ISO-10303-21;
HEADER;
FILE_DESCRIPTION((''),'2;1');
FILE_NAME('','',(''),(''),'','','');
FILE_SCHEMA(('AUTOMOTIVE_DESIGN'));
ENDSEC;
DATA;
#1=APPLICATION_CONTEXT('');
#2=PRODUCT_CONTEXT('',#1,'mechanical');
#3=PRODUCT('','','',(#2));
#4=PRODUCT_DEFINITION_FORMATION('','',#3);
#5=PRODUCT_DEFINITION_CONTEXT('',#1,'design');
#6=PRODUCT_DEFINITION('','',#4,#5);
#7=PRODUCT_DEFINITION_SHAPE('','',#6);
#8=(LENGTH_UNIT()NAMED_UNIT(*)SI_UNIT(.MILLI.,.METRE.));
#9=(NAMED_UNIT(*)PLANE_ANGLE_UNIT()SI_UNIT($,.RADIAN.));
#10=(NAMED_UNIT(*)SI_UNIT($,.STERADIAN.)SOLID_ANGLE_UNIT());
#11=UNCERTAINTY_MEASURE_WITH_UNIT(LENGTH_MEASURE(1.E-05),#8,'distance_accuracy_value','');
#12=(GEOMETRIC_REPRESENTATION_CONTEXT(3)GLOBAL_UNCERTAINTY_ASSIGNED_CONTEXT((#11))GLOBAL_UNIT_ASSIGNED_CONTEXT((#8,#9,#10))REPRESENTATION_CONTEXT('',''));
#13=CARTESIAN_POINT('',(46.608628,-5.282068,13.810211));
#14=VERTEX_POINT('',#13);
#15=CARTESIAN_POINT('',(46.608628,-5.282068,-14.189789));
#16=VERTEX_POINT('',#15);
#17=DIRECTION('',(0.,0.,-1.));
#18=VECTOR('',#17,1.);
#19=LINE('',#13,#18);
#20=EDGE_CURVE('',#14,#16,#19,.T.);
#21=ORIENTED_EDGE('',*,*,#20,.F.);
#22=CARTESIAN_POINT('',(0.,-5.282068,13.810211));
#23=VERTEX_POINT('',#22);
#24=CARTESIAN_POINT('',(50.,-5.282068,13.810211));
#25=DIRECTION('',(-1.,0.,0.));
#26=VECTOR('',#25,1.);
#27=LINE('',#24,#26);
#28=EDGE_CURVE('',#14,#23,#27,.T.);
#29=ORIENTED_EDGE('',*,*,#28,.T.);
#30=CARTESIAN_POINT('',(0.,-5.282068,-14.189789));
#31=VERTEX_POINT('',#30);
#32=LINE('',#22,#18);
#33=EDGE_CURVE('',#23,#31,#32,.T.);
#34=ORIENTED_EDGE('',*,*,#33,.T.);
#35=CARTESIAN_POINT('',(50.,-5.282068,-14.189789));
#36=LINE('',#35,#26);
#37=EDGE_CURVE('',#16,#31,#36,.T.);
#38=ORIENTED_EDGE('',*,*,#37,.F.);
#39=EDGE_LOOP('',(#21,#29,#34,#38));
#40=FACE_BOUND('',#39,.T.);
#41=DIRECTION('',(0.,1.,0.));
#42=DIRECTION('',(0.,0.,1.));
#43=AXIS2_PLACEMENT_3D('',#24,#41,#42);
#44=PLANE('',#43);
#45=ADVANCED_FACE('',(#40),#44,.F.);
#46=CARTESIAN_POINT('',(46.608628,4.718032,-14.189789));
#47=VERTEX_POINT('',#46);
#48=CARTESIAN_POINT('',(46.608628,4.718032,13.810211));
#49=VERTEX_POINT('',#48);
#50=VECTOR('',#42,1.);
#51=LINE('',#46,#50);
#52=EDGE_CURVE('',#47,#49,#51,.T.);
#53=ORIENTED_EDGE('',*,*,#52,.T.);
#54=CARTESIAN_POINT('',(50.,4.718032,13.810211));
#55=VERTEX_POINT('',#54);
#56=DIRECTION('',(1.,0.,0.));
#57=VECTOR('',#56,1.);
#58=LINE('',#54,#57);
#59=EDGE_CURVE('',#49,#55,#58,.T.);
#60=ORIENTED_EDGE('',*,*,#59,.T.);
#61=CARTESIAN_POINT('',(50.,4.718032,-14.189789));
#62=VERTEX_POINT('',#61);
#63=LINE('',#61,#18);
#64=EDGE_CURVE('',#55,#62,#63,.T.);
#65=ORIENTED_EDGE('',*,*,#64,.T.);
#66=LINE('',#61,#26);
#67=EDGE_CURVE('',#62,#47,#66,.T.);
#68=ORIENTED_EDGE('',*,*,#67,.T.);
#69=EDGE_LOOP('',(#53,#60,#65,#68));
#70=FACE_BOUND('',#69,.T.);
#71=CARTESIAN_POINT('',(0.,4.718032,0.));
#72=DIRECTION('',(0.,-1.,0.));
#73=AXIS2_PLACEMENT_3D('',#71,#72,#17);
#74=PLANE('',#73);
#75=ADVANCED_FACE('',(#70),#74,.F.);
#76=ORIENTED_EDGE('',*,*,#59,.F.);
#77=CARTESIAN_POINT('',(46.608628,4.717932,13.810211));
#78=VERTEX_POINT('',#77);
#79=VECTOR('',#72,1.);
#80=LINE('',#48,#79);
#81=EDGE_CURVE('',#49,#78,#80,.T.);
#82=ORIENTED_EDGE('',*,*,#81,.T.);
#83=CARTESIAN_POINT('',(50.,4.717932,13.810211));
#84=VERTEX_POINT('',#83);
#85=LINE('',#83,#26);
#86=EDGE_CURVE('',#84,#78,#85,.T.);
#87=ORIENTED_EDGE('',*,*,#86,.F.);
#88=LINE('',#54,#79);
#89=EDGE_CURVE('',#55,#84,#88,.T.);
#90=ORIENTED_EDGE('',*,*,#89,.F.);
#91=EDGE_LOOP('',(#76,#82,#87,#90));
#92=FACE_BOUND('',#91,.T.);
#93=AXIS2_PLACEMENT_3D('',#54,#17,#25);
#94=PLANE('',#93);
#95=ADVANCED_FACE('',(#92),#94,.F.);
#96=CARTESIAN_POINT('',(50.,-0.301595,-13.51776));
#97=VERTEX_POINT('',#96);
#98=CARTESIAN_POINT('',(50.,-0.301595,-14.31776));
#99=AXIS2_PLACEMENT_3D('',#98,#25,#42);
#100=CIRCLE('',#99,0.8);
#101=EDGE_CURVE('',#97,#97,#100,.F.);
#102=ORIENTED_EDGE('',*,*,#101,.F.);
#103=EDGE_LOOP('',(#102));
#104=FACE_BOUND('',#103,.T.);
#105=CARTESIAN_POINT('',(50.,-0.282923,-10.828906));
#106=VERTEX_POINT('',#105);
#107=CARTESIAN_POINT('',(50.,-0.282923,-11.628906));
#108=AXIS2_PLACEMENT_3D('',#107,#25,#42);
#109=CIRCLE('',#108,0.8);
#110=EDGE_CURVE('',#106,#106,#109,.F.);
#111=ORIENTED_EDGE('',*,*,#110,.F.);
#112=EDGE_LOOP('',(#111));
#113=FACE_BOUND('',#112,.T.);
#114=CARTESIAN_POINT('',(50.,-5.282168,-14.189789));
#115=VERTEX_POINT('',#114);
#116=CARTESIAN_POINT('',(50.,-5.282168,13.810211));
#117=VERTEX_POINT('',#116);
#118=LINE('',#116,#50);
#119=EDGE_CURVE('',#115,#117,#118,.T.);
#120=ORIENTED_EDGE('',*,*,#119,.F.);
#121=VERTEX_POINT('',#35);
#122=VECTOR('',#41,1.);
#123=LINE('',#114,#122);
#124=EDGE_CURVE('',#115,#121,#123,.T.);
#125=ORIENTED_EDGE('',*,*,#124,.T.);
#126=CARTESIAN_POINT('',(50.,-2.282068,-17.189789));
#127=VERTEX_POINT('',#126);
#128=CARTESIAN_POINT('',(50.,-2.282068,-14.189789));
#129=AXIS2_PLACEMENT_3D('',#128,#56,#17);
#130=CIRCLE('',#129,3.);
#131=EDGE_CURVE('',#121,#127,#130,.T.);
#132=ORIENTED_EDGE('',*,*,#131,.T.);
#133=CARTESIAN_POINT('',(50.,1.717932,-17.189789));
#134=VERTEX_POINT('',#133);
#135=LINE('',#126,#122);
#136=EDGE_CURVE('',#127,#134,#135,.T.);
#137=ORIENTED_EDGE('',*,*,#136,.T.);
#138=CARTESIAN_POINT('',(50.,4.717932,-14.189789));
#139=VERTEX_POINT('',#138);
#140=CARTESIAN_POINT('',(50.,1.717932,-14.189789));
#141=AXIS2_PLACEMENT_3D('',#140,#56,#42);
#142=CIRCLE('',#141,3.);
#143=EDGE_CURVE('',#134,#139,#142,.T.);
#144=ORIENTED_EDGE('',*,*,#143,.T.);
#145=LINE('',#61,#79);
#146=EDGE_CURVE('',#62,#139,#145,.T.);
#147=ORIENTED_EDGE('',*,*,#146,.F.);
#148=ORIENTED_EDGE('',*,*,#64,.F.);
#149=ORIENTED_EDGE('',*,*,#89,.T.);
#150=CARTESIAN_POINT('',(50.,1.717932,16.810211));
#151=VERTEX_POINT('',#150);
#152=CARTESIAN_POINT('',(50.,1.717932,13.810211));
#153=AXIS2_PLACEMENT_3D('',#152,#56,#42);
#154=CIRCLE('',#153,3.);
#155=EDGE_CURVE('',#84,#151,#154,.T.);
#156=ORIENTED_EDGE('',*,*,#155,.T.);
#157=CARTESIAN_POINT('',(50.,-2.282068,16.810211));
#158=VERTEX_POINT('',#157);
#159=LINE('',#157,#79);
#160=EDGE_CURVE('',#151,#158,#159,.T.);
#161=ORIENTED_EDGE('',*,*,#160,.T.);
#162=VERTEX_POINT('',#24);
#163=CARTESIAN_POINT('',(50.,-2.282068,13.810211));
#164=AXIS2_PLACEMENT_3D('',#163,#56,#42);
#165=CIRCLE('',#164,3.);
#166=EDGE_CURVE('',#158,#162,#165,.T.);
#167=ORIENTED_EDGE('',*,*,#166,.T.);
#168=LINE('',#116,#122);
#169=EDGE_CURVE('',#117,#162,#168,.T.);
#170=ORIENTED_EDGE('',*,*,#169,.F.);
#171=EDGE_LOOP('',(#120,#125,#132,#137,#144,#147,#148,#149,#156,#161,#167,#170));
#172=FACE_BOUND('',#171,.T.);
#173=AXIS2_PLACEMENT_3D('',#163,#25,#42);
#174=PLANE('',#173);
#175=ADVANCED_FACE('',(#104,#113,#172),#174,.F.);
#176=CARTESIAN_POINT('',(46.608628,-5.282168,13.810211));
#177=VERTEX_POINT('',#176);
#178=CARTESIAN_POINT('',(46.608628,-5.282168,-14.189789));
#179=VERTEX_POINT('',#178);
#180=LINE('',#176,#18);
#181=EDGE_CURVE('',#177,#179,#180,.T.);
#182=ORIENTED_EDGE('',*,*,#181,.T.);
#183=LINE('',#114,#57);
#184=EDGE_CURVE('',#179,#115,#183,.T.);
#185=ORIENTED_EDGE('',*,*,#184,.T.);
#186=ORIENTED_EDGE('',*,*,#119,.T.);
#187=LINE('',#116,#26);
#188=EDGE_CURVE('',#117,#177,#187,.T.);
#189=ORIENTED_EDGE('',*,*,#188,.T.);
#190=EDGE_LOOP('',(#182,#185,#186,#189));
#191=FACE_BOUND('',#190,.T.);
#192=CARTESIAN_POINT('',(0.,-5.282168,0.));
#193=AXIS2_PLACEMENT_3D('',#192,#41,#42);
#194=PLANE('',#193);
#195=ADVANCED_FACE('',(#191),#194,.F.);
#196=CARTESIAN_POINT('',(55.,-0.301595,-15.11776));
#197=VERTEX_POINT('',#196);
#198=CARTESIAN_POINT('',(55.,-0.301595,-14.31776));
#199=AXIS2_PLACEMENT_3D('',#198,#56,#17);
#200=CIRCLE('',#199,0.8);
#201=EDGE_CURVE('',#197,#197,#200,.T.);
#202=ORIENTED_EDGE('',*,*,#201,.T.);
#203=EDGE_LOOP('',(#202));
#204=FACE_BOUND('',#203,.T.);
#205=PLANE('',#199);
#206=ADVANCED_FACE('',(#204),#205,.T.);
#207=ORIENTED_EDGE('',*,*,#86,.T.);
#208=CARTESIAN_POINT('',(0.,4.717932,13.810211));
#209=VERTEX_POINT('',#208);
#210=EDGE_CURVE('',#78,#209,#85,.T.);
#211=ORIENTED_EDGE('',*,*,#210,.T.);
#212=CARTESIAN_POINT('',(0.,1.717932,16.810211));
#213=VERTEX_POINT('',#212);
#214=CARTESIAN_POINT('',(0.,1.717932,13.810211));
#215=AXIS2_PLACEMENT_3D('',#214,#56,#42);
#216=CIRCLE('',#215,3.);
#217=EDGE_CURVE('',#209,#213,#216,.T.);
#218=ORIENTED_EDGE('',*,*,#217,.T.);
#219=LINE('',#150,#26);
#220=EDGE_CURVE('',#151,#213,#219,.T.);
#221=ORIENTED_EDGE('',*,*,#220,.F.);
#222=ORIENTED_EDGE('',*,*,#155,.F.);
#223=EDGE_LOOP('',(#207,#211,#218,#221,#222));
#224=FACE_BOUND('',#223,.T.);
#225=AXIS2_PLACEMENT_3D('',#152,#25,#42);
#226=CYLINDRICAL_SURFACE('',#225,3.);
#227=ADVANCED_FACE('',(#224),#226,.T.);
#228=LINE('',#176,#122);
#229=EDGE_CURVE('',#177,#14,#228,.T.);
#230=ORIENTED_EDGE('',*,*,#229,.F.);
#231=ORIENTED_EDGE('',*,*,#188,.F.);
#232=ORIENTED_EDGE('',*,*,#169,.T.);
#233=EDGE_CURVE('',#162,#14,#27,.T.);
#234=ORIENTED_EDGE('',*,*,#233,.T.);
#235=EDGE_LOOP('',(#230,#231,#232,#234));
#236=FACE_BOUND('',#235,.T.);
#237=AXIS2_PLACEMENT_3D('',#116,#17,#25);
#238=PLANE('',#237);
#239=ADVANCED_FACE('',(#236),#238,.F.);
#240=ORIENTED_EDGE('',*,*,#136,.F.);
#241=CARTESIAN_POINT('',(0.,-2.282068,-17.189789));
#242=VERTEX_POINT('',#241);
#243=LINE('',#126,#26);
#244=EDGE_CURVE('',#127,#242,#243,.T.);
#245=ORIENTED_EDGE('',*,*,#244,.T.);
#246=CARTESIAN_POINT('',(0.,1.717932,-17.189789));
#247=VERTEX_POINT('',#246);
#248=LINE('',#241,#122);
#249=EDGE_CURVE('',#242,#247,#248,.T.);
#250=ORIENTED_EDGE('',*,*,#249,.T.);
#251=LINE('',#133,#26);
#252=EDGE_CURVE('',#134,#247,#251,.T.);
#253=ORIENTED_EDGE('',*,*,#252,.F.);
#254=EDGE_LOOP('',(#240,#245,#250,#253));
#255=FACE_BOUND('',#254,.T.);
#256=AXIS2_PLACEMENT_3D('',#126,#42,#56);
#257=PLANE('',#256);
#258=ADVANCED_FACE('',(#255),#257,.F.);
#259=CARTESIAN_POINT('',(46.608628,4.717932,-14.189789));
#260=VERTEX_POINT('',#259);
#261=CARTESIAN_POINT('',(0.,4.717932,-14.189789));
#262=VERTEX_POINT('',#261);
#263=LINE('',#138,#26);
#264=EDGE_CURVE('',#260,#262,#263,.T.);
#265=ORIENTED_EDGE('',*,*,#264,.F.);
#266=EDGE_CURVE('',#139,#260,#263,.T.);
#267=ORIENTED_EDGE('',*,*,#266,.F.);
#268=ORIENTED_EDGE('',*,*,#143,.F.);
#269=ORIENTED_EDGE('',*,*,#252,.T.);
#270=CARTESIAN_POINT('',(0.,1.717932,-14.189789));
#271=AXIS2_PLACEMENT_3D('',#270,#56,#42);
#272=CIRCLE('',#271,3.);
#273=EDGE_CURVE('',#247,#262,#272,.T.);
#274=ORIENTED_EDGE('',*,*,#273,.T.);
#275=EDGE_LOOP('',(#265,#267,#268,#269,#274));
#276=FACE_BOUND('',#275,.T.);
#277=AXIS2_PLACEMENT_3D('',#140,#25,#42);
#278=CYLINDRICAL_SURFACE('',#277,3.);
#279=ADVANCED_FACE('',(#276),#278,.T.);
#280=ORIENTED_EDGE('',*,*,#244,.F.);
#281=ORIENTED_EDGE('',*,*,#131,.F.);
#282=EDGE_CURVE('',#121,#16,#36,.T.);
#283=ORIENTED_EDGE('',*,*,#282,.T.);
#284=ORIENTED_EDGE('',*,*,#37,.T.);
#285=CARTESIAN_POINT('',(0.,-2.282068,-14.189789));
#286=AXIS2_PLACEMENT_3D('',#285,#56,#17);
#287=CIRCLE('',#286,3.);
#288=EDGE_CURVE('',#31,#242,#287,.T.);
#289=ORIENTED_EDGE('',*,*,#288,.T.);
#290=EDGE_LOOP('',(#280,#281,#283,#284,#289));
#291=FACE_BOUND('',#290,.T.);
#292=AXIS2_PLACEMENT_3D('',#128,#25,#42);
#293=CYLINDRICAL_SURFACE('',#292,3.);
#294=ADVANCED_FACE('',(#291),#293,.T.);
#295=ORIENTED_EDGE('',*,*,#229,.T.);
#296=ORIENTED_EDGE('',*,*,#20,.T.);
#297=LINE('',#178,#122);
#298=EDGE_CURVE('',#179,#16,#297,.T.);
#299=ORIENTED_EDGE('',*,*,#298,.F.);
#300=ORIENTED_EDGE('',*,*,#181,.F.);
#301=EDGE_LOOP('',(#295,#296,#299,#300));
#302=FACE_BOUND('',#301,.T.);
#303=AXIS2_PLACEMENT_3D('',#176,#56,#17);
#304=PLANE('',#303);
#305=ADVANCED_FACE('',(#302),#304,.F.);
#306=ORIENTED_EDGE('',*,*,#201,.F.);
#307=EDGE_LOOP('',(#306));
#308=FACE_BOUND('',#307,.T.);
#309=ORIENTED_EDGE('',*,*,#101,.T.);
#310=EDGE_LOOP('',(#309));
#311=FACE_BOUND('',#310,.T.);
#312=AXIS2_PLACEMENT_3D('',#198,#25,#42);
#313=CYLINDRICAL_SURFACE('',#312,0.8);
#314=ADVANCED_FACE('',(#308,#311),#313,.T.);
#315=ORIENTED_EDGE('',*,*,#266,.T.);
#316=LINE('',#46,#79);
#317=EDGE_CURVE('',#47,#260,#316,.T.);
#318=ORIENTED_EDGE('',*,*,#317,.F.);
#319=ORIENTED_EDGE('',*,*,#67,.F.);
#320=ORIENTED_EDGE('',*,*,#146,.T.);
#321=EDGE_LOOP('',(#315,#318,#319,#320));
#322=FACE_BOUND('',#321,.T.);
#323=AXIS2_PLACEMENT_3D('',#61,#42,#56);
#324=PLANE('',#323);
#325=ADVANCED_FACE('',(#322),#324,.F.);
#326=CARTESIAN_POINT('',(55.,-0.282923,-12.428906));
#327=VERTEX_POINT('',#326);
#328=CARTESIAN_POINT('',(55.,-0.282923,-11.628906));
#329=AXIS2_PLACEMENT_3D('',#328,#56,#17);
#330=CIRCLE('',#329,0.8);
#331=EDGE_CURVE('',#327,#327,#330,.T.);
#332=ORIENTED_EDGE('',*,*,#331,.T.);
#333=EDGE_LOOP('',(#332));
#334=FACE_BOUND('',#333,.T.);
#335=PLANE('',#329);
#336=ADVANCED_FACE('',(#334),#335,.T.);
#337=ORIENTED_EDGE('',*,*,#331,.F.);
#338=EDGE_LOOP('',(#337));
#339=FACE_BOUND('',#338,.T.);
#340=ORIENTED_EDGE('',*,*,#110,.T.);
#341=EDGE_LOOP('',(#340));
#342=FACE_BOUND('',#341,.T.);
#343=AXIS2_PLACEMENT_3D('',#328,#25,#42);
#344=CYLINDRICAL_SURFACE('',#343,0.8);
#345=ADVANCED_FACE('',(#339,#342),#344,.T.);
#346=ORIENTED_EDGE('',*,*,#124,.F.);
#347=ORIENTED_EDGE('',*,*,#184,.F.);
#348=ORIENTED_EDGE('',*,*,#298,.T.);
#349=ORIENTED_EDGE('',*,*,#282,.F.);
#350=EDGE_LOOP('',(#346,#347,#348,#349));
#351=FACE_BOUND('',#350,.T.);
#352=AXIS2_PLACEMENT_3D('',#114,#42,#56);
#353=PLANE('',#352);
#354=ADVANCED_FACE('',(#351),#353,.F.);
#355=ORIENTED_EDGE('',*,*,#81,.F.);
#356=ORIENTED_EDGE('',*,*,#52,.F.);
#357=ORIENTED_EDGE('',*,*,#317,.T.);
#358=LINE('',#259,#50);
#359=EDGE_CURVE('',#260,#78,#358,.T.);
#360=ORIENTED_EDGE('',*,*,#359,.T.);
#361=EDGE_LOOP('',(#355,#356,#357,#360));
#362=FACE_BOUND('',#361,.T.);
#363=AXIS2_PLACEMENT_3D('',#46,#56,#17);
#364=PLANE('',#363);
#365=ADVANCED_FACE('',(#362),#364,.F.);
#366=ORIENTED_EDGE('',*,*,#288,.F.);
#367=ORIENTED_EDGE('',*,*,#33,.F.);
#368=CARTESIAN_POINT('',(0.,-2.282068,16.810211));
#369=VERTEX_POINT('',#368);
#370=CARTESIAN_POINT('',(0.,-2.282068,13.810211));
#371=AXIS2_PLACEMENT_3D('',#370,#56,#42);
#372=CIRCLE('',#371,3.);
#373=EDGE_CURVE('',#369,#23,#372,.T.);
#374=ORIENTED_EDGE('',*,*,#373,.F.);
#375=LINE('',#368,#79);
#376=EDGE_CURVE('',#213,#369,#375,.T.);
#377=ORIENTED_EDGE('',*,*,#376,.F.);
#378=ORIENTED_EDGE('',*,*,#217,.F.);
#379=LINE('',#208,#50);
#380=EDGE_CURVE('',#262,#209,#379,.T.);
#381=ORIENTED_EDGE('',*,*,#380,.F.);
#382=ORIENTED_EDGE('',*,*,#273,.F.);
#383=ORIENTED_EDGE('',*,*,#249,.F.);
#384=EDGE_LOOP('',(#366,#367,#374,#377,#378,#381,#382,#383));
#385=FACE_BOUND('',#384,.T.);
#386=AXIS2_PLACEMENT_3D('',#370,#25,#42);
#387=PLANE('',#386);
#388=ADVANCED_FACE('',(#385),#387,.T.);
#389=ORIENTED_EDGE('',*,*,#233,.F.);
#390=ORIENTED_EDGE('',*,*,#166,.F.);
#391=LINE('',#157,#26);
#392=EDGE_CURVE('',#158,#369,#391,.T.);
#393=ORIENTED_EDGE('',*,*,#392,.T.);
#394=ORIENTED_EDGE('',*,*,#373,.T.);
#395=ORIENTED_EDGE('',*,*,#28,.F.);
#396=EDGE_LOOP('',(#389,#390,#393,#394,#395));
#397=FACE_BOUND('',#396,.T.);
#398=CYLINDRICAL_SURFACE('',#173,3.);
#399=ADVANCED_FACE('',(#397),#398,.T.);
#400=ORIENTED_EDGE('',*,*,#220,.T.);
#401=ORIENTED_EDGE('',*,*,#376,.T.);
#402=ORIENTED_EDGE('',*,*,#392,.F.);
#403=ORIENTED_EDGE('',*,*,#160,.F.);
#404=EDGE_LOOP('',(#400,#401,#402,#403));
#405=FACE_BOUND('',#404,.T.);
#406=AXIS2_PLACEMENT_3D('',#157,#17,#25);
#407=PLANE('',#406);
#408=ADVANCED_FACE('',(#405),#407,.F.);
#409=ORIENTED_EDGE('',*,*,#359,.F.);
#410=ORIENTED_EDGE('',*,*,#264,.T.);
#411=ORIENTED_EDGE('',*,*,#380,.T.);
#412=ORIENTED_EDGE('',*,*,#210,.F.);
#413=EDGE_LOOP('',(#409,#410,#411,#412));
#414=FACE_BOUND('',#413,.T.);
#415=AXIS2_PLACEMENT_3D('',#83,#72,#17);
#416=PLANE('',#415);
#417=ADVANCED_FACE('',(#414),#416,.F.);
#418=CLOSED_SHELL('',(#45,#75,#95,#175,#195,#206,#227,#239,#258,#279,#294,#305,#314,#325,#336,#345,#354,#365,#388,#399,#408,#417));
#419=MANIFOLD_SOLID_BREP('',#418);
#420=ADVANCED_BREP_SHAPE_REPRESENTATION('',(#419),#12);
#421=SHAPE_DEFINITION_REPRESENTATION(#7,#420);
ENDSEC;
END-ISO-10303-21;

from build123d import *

# Parameters (mm, degrees)
EXTRUDE_2_DEPTH = 50
SKETCH_5_R      = 0.8
EXTRUDE_4_DEPTH = 5
SKETCH_6_R      = 0.8
EXTRUDE_5_DEPTH = 5
SKETCH_7_W      = 3.391372173
SKETCH_7_H      = 28
EXTRUDE_6_DEPTH = 0.0001
SKETCH_8_W      = 3.391372173
SKETCH_8_H      = 28
EXTRUDE_7_DEPTH = 0.0001


with BuildPart() as part:
    # 草图1 → 凸台-拉伸2 (new body)
    with BuildSketch(Plane(origin=(0, 0, 0), x_dir=(0, 0, -1), z_dir=(1, 0, 0))):
        with BuildLine():
            Line((-13.81021057, -5.282067654), (14.18978943, -5.282067654))
            ThreePointArc((14.18978943, -5.282067654), (16.311109773, -4.403387998), (17.18978943, -2.282067654))
            Line((17.18978943, -2.282067654), (17.18978943, 1.717932346))
            ThreePointArc((17.18978943, 1.717932346), (16.311109773, 3.839252689), (14.18978943, 4.717932346))
            Line((14.18978943, 4.717932346), (-13.81021057, 4.717932346))
            ThreePointArc((-13.81021057, 4.717932346), (-15.931530914, 3.839252689), (-16.81021057, 1.717932346))
            Line((-16.81021057, 1.717932346), (-16.81021057, -2.282067654))
            ThreePointArc((-16.81021057, -2.282067654), (-15.931530914, -4.403387998), (-13.81021057, -5.282067654))
        make_face()
    extrude(amount=EXTRUDE_2_DEPTH)

    # 草图5 → 凸台-拉伸4 (add)
    with BuildSketch(Plane(origin=(50, 0, 0), x_dir=(0, 0, -1), z_dir=(1, 0, 0))):
        with Locations(Location((11.628905856, -0.282922759, 0), (0, 0, 180))):
            Circle(SKETCH_5_R)
    extrude(amount=EXTRUDE_4_DEPTH)

    # 草图6 → 凸台-拉伸5 (add)
    with BuildSketch(Plane(origin=(50, 0, 0), x_dir=(0, 0, -1), z_dir=(1, 0, 0))):
        with Locations(Location((14.317760306, -0.301594573, 0), (0, 0, 180))):
            Circle(SKETCH_6_R)
    extrude(amount=EXTRUDE_5_DEPTH)

    # 草图7 → 凸台-拉伸6 (add)
    with BuildSketch(Plane(origin=(0, 4.717932346, 0), x_dir=(1, 0, 0), z_dir=(0, 1, 0))):
        with Locations((48.304313913, 0.18978943)):
            Rectangle(SKETCH_7_W, SKETCH_7_H)
    extrude(amount=EXTRUDE_6_DEPTH)

    # 草图8 → 凸台-拉伸7 (add)
    with BuildSketch(Plane(origin=(0, -5.282067654, 0), x_dir=(-1, 0, 0), z_dir=(0, -1, 0))):
        with Locations((-48.304313913, 0.18978943)):
            Rectangle(SKETCH_8_W, SKETCH_8_H)
    extrude(amount=EXTRUDE_7_DEPTH)


solid = part.part
